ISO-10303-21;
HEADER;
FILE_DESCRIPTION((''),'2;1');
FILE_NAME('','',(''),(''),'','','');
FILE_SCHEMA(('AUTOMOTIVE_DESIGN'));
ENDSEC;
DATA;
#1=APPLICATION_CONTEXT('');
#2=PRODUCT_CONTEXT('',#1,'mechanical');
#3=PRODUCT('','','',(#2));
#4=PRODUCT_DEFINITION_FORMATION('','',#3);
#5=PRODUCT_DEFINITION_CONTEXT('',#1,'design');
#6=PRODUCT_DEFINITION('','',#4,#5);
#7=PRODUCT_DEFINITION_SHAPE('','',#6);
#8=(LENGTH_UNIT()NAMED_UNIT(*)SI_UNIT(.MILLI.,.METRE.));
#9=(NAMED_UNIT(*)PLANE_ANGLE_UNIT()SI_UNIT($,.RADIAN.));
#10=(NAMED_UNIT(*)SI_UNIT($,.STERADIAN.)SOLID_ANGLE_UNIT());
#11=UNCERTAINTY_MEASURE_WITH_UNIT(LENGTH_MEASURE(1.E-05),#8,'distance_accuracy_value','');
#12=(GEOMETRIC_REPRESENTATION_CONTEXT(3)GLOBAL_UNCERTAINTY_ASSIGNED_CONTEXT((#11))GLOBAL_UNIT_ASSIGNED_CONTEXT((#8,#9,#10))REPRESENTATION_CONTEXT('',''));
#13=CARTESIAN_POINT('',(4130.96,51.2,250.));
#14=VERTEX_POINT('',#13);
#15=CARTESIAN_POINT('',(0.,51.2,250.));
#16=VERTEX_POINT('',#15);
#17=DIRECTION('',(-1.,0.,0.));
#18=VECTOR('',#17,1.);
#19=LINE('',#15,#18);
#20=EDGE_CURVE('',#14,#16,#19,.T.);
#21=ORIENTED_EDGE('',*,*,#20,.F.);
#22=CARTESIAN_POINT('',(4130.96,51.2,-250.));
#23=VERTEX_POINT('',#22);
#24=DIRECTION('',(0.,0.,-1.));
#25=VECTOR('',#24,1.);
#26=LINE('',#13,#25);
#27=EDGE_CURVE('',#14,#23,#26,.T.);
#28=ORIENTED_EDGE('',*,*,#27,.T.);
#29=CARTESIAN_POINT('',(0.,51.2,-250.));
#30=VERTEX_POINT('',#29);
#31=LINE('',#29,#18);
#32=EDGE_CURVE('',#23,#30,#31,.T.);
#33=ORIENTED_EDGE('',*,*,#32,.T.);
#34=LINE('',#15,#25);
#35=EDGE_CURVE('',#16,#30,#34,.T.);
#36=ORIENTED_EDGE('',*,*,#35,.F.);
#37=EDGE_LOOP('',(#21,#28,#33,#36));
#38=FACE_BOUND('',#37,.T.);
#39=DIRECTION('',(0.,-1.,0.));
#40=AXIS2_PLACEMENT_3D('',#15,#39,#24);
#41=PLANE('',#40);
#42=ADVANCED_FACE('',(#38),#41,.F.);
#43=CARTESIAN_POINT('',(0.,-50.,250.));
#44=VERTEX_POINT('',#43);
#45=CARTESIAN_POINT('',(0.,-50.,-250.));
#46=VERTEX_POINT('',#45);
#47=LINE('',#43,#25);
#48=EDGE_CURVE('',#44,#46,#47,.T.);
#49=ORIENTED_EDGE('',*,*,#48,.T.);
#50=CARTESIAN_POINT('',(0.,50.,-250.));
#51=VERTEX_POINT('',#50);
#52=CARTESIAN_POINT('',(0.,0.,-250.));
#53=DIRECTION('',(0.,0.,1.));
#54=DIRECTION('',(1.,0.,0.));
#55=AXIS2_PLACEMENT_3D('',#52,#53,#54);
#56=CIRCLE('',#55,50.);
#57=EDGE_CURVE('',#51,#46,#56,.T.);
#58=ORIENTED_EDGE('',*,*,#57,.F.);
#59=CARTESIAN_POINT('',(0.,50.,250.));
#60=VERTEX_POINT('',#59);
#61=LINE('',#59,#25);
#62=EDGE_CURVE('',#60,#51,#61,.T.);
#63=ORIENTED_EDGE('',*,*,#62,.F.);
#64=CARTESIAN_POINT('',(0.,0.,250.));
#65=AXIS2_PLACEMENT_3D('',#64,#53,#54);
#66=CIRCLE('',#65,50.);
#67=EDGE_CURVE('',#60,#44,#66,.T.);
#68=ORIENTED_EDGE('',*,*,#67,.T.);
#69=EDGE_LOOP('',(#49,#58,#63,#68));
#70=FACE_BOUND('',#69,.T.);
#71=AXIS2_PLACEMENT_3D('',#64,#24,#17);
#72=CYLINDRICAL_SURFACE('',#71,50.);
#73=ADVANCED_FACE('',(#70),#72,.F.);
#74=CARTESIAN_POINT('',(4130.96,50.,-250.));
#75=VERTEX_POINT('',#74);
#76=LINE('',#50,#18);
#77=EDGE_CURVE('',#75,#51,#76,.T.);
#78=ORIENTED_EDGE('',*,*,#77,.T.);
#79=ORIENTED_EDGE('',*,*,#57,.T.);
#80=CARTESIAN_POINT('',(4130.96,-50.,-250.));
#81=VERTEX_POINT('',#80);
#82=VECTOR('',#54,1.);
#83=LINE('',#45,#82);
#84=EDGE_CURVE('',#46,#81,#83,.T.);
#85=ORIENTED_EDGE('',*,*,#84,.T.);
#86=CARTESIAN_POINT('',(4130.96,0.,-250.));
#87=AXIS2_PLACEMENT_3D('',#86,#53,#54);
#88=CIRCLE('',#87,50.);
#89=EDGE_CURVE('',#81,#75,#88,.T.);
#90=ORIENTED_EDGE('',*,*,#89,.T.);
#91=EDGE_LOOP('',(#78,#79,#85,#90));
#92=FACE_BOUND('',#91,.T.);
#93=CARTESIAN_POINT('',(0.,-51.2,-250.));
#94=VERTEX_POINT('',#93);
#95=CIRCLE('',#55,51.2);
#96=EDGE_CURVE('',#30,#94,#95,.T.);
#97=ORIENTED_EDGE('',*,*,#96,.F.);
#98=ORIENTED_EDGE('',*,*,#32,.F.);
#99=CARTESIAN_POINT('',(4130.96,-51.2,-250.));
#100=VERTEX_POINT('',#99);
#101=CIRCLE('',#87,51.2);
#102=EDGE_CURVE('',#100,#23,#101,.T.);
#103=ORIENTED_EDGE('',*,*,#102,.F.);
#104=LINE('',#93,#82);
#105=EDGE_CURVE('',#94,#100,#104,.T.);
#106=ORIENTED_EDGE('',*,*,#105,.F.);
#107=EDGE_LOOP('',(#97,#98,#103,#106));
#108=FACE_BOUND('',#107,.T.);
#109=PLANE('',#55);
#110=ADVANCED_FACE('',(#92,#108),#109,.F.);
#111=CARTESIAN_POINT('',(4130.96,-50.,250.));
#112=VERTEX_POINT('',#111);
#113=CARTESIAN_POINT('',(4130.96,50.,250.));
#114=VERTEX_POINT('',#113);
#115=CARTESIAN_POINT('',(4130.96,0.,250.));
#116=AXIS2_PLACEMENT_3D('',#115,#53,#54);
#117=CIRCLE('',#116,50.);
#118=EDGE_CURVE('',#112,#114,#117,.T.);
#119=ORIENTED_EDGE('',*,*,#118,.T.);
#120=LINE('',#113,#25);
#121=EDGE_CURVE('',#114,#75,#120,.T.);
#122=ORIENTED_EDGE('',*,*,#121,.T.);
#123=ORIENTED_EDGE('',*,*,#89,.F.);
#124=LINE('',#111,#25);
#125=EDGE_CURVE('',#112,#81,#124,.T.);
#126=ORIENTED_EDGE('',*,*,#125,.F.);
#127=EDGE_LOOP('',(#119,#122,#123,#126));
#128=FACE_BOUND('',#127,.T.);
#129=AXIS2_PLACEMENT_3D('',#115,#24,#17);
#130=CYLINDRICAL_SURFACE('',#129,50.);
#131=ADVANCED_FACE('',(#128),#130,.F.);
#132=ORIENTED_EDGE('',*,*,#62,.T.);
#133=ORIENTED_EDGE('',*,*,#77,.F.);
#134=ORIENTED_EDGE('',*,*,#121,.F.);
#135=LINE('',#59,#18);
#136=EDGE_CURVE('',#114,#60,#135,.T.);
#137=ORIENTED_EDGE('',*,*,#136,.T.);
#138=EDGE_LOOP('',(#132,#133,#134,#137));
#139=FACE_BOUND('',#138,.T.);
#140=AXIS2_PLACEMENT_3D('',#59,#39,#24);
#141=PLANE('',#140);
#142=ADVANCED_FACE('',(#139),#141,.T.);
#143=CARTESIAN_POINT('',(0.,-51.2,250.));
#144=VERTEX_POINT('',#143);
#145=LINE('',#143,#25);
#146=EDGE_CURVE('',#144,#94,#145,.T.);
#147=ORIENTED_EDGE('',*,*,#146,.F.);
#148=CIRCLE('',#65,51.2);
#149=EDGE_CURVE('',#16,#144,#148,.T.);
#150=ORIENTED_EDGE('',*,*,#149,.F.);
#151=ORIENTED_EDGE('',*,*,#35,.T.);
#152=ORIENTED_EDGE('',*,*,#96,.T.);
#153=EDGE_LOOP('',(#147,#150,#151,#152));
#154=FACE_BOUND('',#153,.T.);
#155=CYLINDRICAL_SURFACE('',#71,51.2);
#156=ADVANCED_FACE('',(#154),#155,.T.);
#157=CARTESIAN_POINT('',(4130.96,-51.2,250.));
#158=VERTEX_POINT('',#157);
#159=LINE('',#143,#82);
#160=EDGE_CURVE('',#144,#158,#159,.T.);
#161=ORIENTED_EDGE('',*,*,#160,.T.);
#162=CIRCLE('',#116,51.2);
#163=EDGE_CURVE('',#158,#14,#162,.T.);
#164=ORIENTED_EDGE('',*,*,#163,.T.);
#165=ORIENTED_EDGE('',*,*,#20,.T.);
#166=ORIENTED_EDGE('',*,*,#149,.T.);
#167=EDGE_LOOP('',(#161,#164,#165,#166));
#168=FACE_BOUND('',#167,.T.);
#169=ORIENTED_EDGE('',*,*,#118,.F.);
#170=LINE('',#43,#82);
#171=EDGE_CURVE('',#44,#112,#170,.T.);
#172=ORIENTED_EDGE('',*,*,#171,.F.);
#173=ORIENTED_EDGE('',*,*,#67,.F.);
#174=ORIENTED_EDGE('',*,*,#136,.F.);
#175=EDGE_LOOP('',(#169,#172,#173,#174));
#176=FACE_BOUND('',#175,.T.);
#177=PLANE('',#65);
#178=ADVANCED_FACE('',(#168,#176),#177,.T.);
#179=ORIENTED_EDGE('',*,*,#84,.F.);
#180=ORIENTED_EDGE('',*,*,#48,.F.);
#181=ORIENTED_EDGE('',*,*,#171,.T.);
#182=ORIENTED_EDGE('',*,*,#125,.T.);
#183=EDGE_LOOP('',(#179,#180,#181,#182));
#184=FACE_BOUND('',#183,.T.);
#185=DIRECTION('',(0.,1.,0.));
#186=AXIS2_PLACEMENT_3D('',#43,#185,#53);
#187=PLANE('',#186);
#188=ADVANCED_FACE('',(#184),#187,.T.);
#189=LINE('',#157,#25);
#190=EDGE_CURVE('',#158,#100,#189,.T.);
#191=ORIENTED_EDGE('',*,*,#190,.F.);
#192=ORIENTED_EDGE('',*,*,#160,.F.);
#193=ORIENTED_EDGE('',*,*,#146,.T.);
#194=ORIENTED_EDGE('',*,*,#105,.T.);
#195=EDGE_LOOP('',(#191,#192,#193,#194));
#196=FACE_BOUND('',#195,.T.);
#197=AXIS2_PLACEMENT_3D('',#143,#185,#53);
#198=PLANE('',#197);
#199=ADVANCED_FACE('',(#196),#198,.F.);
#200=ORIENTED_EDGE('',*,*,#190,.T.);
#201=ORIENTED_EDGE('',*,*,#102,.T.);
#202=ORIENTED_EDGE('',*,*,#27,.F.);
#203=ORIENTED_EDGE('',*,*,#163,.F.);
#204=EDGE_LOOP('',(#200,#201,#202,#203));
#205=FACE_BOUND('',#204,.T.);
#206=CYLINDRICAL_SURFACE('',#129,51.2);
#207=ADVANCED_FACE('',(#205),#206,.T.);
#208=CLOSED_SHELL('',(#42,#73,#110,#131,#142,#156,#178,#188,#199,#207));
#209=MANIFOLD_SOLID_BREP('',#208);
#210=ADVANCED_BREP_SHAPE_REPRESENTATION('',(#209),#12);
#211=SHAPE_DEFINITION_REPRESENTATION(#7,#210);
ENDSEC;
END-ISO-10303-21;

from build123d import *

# Parameters (mm, degrees)
BOSS_EXTRUDE1_DEPTH = 250


with BuildPart() as part:
    # Sketch1 → Boss-Extrude1 (new body, symmetric)
    with BuildSketch(Plane.XY):
        with BuildLine():
            Line((0, -51.2), (4130.96, -51.2))
            ThreePointArc((4130.96, -51.2), (4182.16, 0), (4130.96, 51.2))
            Line((4130.96, 51.2), (0, 51.2))
            ThreePointArc((0, 51.2), (-51.2, 0), (0, -51.2))
        make_face()
        with BuildLine():
            Line((0, 50), (4130.96, 50))
            ThreePointArc((4130.96, 50), (4180.96, 0), (4130.96, -50))
            Line((4130.96, -50), (0, -50))
            ThreePointArc((0, -50), (-50, 0), (0, 50))
        make_face(mode=Mode.SUBTRACT)
    extrude(amount=BOSS_EXTRUDE1_DEPTH, both=True)


solid = part.part
